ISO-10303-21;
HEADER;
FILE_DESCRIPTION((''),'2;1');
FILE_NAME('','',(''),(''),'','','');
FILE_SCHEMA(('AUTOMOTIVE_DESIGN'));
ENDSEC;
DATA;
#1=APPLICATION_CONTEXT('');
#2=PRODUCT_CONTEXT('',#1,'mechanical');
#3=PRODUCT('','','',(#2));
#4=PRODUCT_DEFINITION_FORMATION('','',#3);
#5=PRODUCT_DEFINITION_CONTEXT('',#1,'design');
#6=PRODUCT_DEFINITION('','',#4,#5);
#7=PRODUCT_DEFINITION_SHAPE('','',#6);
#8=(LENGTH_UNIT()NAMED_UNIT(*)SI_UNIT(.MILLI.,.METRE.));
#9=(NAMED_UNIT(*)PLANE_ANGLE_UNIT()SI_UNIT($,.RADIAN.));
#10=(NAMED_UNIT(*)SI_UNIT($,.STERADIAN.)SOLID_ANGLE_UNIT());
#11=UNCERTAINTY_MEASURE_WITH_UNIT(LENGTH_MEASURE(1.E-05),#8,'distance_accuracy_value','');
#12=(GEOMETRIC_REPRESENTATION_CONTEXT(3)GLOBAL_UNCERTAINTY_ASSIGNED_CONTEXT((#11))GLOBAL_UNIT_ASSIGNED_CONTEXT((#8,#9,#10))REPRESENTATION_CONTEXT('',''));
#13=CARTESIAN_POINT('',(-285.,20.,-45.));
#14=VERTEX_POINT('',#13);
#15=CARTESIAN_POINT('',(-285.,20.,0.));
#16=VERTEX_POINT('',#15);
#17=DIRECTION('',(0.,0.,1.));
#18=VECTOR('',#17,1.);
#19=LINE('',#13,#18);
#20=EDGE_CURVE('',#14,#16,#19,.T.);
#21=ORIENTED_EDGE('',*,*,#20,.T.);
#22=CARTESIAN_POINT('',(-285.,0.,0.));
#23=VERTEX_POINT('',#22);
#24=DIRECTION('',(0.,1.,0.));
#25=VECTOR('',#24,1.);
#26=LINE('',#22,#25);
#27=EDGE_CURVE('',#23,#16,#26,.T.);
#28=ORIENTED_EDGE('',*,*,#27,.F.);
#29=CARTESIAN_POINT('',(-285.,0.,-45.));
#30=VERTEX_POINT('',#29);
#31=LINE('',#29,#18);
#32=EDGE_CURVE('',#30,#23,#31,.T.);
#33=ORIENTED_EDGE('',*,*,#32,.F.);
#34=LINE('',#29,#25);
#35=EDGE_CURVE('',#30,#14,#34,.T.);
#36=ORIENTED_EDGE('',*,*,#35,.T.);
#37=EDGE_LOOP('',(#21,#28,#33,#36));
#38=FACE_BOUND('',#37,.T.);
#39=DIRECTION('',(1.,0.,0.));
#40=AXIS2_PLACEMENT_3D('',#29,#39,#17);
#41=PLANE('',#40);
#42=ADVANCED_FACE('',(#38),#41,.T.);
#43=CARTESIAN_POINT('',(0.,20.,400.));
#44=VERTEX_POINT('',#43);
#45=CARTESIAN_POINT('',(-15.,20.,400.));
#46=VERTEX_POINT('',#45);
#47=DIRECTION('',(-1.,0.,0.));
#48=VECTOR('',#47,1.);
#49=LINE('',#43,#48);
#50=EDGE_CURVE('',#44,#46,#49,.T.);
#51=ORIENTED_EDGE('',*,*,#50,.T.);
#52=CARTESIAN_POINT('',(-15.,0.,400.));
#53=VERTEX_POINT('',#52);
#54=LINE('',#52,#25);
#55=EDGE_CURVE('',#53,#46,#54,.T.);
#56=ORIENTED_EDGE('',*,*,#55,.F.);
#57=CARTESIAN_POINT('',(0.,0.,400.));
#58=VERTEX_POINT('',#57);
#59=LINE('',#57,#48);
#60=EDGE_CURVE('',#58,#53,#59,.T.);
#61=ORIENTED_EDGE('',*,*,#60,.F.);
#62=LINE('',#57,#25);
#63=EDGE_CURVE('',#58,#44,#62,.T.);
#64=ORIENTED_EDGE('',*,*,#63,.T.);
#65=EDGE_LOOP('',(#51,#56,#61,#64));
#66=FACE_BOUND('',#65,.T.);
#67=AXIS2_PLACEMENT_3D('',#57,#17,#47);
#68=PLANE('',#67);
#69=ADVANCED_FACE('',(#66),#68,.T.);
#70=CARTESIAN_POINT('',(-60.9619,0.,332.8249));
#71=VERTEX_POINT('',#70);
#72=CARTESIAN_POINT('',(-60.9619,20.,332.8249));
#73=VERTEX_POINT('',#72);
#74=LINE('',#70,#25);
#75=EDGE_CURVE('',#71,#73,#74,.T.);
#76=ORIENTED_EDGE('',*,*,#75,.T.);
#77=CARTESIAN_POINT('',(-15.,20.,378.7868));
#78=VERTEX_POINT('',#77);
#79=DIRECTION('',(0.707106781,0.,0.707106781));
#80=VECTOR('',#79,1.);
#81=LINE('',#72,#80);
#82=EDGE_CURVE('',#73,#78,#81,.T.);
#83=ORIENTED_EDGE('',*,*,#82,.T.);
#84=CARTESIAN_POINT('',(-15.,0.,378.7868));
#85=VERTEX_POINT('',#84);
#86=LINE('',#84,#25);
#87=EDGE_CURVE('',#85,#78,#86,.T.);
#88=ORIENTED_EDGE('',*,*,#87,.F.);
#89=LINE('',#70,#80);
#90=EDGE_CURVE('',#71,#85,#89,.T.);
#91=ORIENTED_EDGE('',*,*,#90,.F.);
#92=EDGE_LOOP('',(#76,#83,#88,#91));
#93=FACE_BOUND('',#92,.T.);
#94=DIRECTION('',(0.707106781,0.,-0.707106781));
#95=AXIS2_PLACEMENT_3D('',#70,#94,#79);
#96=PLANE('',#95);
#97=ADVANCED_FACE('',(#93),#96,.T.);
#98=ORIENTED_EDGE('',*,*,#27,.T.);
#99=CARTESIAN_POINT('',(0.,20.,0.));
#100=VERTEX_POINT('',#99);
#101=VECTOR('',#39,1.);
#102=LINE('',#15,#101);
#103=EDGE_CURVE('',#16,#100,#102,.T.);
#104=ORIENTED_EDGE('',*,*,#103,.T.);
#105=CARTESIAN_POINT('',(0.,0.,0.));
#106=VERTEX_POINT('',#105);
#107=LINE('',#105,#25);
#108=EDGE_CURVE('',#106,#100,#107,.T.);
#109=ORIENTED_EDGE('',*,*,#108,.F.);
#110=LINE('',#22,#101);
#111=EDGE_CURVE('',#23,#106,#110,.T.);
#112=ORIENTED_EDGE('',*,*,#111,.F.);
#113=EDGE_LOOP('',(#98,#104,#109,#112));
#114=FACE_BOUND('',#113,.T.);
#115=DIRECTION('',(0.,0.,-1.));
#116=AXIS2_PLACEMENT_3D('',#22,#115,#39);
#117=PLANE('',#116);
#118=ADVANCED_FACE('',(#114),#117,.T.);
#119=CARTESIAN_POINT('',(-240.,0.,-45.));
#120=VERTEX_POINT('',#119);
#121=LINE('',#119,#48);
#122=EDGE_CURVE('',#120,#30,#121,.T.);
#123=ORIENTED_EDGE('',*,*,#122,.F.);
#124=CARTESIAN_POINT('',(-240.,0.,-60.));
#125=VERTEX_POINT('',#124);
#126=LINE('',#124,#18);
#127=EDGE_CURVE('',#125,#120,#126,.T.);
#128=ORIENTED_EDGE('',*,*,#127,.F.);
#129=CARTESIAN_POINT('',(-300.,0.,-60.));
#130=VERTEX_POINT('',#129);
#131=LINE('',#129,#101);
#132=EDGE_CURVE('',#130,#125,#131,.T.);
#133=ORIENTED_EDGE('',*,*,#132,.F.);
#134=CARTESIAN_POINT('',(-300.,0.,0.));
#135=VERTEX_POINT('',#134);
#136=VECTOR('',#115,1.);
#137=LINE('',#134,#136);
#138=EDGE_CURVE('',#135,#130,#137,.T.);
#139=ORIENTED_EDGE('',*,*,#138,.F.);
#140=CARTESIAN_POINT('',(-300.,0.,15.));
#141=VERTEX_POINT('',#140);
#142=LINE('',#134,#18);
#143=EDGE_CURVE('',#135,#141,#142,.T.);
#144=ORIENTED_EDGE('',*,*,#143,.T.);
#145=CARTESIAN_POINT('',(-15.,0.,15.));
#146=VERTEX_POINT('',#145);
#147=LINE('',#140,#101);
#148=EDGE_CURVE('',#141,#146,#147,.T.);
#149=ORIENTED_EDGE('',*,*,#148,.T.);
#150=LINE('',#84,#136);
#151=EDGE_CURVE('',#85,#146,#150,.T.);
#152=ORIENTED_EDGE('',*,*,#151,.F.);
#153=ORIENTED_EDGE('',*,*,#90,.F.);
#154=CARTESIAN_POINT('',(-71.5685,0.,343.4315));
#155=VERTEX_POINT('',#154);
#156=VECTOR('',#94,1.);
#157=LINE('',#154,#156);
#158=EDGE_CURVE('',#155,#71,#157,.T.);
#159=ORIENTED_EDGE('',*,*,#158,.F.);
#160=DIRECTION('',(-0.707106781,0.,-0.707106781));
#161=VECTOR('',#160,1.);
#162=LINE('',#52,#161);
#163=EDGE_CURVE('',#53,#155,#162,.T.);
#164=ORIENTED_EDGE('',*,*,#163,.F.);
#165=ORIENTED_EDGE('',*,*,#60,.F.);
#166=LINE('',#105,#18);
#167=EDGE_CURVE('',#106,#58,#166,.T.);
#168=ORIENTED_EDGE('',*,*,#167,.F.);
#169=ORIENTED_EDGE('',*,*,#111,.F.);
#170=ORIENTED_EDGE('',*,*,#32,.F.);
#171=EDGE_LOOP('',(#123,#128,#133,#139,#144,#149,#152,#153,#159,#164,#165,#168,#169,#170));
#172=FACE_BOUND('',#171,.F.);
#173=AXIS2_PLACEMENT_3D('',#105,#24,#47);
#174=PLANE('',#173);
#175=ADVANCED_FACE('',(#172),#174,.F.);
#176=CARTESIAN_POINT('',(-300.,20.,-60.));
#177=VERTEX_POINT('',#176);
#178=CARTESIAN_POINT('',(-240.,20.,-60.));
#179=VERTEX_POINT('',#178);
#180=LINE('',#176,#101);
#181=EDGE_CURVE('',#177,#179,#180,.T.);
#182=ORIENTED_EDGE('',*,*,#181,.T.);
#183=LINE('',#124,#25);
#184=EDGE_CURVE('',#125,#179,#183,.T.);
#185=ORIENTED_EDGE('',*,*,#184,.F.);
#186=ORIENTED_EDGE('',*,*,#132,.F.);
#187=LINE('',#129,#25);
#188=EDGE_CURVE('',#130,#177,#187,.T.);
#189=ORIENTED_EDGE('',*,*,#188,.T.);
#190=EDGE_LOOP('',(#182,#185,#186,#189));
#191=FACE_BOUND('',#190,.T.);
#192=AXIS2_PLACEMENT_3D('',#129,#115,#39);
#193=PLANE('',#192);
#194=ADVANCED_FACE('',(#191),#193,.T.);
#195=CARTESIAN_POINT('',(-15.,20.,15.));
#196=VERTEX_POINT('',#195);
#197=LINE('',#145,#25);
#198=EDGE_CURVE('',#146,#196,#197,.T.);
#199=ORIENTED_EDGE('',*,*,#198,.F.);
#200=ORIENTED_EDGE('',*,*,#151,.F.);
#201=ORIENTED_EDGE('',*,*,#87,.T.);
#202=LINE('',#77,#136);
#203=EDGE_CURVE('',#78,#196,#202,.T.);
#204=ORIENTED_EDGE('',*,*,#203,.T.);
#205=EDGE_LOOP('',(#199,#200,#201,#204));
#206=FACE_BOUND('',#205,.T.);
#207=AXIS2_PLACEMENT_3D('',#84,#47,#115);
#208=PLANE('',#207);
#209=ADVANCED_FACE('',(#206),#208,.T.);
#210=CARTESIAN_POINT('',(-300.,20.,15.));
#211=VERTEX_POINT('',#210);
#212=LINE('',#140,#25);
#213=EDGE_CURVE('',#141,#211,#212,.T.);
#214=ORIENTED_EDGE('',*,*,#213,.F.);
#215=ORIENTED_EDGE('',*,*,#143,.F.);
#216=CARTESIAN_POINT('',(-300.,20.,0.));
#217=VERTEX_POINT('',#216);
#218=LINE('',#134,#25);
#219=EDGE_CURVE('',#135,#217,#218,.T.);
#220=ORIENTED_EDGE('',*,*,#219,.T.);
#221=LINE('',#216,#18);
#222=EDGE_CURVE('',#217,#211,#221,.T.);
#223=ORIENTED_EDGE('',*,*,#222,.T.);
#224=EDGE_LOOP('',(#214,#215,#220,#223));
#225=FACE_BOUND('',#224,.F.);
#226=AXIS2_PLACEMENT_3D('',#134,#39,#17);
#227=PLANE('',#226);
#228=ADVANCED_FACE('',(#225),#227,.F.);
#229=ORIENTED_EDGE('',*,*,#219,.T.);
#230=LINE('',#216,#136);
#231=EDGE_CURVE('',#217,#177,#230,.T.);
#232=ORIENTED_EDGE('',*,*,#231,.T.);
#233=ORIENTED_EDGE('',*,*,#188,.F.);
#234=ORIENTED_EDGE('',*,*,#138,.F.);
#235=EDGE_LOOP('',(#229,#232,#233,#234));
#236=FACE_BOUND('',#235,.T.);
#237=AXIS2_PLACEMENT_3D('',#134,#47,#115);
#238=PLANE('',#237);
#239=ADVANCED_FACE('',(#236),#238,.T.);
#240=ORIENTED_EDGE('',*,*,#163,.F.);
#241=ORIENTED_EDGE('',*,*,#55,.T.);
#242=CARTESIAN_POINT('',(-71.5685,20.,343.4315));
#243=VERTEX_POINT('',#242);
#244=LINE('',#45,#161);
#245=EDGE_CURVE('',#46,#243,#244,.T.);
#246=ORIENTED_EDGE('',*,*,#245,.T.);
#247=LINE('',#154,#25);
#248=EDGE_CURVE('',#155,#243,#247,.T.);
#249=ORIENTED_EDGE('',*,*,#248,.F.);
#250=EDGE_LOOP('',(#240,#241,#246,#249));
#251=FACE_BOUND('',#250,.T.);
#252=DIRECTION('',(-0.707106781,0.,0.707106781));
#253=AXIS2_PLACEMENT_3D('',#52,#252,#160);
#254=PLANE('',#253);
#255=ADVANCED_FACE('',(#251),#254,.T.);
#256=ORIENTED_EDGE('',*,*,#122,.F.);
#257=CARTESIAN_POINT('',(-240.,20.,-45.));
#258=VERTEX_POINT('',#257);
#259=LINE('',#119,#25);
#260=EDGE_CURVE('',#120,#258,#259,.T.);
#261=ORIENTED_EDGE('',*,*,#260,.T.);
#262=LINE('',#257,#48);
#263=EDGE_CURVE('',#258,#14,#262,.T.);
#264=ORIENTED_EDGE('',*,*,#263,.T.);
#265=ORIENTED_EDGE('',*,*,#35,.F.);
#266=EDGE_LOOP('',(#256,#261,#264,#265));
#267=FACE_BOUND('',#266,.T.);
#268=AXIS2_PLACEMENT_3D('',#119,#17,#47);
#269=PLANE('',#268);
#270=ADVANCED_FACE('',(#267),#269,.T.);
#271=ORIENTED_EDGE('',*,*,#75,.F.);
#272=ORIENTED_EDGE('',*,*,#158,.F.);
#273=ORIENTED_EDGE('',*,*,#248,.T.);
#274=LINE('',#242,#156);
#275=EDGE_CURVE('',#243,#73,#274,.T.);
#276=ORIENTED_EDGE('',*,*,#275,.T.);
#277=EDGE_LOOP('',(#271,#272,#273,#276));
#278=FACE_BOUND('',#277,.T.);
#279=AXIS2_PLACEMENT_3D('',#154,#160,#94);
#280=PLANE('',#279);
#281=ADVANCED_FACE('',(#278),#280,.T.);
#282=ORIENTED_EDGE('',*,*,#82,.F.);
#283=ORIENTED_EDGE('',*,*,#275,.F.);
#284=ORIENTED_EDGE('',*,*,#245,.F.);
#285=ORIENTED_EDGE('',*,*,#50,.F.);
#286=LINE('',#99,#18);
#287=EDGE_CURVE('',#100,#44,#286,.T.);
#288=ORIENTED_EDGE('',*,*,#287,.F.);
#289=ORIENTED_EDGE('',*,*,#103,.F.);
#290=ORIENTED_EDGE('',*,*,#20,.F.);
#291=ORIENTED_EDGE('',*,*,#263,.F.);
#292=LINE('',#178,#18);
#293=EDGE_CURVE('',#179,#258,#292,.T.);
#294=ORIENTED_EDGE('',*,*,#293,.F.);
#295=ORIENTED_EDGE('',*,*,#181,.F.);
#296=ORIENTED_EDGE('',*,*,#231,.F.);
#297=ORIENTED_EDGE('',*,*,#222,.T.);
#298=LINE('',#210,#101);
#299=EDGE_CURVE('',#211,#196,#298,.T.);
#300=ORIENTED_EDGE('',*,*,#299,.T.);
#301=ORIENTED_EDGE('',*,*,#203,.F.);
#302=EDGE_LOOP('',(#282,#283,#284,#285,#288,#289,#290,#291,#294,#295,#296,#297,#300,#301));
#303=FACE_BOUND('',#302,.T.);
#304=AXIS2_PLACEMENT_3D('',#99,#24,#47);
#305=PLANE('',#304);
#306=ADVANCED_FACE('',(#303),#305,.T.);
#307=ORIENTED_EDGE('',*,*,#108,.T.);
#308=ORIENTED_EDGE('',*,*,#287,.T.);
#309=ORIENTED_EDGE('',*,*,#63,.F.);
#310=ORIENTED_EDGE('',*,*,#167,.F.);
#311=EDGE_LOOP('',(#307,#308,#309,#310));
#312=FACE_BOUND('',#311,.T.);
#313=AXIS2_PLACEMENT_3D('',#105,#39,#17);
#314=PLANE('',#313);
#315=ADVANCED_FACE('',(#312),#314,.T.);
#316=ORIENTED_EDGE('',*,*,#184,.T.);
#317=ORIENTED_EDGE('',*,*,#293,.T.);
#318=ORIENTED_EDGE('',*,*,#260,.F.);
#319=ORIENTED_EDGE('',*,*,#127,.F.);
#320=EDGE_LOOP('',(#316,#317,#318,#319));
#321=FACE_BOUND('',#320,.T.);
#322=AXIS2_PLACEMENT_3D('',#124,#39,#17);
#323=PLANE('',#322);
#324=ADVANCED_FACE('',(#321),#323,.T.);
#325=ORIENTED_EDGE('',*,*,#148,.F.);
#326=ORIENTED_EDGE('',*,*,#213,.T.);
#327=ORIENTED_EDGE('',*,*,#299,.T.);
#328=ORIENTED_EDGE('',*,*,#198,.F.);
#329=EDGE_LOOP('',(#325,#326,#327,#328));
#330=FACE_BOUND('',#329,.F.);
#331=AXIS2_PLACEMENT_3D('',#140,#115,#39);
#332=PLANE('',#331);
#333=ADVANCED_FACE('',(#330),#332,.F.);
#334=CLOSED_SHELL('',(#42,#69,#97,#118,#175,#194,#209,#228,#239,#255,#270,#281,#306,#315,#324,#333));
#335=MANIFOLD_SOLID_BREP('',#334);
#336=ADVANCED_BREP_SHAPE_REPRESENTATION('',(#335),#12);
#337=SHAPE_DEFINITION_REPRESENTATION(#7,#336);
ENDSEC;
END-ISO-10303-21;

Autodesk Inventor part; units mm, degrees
ref_plane "YZ Plane" through (0, 0, 0) normal (1, 0, 0) x (0, 1, 0)
ref_plane "XZ Plane" through (0, 0, 0) normal (0, 1, 0) x (-1, 0, 0)
ref_plane "XY Plane" through (0, 0, 0) normal (0, 0, 1) x (1, 0, 0)
sketch "Schizzo1" plane through (0, 0, 0) normal (0, 1, 0) x (-1, 0, 0)
  line L0 (300, 0) -> (300, 15)
  line L1 (0, 0) -> (0, 400)
  line L2 (0, 400) -> (15, 400)
  line L3 (15, 400) -> (71.5685, 343.4315)
  line L4 (15, 400) -> (95, 400) construction
  line L5 (71.5685, 343.4315) -> (60.9619, 332.8249)
  line L6 (60.9619, 332.8249) -> (15, 378.7868)
  line L7 (15, 378.7868) -> (15, 15)
  line L8 (300, 15) -> (15, 15)
  line L9 (300, 0) -> (300, -60)
  line L10 (300, -60) -> (240, -60)
  line L11 (240, -60) -> (240, -45)
  line L12 (240, -45) -> (285, -45)
  line L13 (285, -45) -> (285, 0)
  line L14 (285, 0) -> (0, 0)
  dimension "d1" = 15
  dimension "d3" = 400
  dimension "d4" = 15
  dimension "d5" = 80
  dimension "d6" = 45
  dimension "d7" = 15
  dimension "d8" = 60
  dimension "d9" = 60
  dimension "d10" = 15
  dimension "d11" = 45
extrude "Estrusione1" add sketch "Schizzo1" along normal blind 20
equation "\"RaggioPiega\" = Spessore"
equation "\"LarghezzaScaricoPiega\" = Spessore"
equation "\"ProfonditàScaricoPiega\" = 0.5 * Spessore"
equation "\"DimensioniScaricoAngolo\" = 4 * Spessore"
equation "\"ResiduoMinimo\" = 2 * Spessore"
equation "\"RaggioTransizione\" = RaggioPiega"
equation "\"Dimensione_raggio_Jacobi\" = RaggioPiega"
equation "\"DimensioneGioco\" = Spessore"
equation "\"Spessore\" = 0.5"
properties part number "Staffa"
